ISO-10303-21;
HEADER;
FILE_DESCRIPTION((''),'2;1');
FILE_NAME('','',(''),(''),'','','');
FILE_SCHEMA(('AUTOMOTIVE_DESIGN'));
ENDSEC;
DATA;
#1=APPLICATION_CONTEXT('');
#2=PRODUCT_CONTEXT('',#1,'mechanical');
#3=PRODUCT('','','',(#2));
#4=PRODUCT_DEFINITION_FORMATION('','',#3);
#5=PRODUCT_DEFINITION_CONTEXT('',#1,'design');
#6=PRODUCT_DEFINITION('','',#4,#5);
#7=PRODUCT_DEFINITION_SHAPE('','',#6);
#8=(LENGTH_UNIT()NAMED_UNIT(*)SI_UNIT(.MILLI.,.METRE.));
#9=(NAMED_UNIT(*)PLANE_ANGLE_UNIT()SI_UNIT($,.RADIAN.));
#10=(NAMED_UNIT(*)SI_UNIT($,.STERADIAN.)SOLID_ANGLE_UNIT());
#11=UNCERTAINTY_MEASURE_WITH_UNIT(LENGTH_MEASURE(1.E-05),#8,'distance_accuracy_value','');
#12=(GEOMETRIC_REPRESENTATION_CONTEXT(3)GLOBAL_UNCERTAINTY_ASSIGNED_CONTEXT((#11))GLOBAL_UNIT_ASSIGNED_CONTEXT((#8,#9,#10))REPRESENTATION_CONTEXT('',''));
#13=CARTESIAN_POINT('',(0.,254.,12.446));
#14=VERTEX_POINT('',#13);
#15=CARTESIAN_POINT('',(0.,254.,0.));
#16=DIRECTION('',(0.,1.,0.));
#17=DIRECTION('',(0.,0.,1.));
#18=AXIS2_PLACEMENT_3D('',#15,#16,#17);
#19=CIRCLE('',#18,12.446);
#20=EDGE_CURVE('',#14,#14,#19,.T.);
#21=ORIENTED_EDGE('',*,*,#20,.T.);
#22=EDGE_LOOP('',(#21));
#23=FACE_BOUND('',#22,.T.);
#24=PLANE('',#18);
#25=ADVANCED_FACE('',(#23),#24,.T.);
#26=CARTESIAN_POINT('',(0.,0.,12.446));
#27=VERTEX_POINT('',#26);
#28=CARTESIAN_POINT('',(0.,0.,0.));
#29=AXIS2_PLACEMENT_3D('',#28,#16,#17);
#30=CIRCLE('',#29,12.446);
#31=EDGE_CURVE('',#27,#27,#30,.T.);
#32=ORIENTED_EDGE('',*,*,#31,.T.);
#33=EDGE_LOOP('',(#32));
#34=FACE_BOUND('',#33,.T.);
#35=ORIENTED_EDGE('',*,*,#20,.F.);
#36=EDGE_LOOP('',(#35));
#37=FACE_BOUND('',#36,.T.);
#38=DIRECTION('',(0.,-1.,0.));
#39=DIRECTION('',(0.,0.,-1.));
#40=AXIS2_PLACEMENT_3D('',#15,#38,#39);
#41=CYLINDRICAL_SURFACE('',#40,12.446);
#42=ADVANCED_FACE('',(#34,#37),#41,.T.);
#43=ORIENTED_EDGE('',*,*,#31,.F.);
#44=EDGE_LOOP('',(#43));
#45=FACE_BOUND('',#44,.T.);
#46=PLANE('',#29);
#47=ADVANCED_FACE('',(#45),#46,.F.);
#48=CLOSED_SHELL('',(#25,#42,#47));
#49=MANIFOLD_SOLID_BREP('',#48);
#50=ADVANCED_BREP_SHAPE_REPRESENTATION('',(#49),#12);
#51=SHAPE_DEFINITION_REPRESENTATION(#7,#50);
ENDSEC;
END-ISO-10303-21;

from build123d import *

# Parameters (mm, degrees)
SKETCH1_R           = 12.446
BOSS_EXTRUDE1_DEPTH = 254


with BuildPart() as part:
    # Sketch1 → Boss-Extrude1 (new body)
    with BuildSketch(Plane(origin=(0, 0, 0), x_dir=(1, 0, 0), z_dir=(0, 1, 0))):
        Circle(SKETCH1_R)
    extrude(amount=BOSS_EXTRUDE1_DEPTH)


solid = part.part
